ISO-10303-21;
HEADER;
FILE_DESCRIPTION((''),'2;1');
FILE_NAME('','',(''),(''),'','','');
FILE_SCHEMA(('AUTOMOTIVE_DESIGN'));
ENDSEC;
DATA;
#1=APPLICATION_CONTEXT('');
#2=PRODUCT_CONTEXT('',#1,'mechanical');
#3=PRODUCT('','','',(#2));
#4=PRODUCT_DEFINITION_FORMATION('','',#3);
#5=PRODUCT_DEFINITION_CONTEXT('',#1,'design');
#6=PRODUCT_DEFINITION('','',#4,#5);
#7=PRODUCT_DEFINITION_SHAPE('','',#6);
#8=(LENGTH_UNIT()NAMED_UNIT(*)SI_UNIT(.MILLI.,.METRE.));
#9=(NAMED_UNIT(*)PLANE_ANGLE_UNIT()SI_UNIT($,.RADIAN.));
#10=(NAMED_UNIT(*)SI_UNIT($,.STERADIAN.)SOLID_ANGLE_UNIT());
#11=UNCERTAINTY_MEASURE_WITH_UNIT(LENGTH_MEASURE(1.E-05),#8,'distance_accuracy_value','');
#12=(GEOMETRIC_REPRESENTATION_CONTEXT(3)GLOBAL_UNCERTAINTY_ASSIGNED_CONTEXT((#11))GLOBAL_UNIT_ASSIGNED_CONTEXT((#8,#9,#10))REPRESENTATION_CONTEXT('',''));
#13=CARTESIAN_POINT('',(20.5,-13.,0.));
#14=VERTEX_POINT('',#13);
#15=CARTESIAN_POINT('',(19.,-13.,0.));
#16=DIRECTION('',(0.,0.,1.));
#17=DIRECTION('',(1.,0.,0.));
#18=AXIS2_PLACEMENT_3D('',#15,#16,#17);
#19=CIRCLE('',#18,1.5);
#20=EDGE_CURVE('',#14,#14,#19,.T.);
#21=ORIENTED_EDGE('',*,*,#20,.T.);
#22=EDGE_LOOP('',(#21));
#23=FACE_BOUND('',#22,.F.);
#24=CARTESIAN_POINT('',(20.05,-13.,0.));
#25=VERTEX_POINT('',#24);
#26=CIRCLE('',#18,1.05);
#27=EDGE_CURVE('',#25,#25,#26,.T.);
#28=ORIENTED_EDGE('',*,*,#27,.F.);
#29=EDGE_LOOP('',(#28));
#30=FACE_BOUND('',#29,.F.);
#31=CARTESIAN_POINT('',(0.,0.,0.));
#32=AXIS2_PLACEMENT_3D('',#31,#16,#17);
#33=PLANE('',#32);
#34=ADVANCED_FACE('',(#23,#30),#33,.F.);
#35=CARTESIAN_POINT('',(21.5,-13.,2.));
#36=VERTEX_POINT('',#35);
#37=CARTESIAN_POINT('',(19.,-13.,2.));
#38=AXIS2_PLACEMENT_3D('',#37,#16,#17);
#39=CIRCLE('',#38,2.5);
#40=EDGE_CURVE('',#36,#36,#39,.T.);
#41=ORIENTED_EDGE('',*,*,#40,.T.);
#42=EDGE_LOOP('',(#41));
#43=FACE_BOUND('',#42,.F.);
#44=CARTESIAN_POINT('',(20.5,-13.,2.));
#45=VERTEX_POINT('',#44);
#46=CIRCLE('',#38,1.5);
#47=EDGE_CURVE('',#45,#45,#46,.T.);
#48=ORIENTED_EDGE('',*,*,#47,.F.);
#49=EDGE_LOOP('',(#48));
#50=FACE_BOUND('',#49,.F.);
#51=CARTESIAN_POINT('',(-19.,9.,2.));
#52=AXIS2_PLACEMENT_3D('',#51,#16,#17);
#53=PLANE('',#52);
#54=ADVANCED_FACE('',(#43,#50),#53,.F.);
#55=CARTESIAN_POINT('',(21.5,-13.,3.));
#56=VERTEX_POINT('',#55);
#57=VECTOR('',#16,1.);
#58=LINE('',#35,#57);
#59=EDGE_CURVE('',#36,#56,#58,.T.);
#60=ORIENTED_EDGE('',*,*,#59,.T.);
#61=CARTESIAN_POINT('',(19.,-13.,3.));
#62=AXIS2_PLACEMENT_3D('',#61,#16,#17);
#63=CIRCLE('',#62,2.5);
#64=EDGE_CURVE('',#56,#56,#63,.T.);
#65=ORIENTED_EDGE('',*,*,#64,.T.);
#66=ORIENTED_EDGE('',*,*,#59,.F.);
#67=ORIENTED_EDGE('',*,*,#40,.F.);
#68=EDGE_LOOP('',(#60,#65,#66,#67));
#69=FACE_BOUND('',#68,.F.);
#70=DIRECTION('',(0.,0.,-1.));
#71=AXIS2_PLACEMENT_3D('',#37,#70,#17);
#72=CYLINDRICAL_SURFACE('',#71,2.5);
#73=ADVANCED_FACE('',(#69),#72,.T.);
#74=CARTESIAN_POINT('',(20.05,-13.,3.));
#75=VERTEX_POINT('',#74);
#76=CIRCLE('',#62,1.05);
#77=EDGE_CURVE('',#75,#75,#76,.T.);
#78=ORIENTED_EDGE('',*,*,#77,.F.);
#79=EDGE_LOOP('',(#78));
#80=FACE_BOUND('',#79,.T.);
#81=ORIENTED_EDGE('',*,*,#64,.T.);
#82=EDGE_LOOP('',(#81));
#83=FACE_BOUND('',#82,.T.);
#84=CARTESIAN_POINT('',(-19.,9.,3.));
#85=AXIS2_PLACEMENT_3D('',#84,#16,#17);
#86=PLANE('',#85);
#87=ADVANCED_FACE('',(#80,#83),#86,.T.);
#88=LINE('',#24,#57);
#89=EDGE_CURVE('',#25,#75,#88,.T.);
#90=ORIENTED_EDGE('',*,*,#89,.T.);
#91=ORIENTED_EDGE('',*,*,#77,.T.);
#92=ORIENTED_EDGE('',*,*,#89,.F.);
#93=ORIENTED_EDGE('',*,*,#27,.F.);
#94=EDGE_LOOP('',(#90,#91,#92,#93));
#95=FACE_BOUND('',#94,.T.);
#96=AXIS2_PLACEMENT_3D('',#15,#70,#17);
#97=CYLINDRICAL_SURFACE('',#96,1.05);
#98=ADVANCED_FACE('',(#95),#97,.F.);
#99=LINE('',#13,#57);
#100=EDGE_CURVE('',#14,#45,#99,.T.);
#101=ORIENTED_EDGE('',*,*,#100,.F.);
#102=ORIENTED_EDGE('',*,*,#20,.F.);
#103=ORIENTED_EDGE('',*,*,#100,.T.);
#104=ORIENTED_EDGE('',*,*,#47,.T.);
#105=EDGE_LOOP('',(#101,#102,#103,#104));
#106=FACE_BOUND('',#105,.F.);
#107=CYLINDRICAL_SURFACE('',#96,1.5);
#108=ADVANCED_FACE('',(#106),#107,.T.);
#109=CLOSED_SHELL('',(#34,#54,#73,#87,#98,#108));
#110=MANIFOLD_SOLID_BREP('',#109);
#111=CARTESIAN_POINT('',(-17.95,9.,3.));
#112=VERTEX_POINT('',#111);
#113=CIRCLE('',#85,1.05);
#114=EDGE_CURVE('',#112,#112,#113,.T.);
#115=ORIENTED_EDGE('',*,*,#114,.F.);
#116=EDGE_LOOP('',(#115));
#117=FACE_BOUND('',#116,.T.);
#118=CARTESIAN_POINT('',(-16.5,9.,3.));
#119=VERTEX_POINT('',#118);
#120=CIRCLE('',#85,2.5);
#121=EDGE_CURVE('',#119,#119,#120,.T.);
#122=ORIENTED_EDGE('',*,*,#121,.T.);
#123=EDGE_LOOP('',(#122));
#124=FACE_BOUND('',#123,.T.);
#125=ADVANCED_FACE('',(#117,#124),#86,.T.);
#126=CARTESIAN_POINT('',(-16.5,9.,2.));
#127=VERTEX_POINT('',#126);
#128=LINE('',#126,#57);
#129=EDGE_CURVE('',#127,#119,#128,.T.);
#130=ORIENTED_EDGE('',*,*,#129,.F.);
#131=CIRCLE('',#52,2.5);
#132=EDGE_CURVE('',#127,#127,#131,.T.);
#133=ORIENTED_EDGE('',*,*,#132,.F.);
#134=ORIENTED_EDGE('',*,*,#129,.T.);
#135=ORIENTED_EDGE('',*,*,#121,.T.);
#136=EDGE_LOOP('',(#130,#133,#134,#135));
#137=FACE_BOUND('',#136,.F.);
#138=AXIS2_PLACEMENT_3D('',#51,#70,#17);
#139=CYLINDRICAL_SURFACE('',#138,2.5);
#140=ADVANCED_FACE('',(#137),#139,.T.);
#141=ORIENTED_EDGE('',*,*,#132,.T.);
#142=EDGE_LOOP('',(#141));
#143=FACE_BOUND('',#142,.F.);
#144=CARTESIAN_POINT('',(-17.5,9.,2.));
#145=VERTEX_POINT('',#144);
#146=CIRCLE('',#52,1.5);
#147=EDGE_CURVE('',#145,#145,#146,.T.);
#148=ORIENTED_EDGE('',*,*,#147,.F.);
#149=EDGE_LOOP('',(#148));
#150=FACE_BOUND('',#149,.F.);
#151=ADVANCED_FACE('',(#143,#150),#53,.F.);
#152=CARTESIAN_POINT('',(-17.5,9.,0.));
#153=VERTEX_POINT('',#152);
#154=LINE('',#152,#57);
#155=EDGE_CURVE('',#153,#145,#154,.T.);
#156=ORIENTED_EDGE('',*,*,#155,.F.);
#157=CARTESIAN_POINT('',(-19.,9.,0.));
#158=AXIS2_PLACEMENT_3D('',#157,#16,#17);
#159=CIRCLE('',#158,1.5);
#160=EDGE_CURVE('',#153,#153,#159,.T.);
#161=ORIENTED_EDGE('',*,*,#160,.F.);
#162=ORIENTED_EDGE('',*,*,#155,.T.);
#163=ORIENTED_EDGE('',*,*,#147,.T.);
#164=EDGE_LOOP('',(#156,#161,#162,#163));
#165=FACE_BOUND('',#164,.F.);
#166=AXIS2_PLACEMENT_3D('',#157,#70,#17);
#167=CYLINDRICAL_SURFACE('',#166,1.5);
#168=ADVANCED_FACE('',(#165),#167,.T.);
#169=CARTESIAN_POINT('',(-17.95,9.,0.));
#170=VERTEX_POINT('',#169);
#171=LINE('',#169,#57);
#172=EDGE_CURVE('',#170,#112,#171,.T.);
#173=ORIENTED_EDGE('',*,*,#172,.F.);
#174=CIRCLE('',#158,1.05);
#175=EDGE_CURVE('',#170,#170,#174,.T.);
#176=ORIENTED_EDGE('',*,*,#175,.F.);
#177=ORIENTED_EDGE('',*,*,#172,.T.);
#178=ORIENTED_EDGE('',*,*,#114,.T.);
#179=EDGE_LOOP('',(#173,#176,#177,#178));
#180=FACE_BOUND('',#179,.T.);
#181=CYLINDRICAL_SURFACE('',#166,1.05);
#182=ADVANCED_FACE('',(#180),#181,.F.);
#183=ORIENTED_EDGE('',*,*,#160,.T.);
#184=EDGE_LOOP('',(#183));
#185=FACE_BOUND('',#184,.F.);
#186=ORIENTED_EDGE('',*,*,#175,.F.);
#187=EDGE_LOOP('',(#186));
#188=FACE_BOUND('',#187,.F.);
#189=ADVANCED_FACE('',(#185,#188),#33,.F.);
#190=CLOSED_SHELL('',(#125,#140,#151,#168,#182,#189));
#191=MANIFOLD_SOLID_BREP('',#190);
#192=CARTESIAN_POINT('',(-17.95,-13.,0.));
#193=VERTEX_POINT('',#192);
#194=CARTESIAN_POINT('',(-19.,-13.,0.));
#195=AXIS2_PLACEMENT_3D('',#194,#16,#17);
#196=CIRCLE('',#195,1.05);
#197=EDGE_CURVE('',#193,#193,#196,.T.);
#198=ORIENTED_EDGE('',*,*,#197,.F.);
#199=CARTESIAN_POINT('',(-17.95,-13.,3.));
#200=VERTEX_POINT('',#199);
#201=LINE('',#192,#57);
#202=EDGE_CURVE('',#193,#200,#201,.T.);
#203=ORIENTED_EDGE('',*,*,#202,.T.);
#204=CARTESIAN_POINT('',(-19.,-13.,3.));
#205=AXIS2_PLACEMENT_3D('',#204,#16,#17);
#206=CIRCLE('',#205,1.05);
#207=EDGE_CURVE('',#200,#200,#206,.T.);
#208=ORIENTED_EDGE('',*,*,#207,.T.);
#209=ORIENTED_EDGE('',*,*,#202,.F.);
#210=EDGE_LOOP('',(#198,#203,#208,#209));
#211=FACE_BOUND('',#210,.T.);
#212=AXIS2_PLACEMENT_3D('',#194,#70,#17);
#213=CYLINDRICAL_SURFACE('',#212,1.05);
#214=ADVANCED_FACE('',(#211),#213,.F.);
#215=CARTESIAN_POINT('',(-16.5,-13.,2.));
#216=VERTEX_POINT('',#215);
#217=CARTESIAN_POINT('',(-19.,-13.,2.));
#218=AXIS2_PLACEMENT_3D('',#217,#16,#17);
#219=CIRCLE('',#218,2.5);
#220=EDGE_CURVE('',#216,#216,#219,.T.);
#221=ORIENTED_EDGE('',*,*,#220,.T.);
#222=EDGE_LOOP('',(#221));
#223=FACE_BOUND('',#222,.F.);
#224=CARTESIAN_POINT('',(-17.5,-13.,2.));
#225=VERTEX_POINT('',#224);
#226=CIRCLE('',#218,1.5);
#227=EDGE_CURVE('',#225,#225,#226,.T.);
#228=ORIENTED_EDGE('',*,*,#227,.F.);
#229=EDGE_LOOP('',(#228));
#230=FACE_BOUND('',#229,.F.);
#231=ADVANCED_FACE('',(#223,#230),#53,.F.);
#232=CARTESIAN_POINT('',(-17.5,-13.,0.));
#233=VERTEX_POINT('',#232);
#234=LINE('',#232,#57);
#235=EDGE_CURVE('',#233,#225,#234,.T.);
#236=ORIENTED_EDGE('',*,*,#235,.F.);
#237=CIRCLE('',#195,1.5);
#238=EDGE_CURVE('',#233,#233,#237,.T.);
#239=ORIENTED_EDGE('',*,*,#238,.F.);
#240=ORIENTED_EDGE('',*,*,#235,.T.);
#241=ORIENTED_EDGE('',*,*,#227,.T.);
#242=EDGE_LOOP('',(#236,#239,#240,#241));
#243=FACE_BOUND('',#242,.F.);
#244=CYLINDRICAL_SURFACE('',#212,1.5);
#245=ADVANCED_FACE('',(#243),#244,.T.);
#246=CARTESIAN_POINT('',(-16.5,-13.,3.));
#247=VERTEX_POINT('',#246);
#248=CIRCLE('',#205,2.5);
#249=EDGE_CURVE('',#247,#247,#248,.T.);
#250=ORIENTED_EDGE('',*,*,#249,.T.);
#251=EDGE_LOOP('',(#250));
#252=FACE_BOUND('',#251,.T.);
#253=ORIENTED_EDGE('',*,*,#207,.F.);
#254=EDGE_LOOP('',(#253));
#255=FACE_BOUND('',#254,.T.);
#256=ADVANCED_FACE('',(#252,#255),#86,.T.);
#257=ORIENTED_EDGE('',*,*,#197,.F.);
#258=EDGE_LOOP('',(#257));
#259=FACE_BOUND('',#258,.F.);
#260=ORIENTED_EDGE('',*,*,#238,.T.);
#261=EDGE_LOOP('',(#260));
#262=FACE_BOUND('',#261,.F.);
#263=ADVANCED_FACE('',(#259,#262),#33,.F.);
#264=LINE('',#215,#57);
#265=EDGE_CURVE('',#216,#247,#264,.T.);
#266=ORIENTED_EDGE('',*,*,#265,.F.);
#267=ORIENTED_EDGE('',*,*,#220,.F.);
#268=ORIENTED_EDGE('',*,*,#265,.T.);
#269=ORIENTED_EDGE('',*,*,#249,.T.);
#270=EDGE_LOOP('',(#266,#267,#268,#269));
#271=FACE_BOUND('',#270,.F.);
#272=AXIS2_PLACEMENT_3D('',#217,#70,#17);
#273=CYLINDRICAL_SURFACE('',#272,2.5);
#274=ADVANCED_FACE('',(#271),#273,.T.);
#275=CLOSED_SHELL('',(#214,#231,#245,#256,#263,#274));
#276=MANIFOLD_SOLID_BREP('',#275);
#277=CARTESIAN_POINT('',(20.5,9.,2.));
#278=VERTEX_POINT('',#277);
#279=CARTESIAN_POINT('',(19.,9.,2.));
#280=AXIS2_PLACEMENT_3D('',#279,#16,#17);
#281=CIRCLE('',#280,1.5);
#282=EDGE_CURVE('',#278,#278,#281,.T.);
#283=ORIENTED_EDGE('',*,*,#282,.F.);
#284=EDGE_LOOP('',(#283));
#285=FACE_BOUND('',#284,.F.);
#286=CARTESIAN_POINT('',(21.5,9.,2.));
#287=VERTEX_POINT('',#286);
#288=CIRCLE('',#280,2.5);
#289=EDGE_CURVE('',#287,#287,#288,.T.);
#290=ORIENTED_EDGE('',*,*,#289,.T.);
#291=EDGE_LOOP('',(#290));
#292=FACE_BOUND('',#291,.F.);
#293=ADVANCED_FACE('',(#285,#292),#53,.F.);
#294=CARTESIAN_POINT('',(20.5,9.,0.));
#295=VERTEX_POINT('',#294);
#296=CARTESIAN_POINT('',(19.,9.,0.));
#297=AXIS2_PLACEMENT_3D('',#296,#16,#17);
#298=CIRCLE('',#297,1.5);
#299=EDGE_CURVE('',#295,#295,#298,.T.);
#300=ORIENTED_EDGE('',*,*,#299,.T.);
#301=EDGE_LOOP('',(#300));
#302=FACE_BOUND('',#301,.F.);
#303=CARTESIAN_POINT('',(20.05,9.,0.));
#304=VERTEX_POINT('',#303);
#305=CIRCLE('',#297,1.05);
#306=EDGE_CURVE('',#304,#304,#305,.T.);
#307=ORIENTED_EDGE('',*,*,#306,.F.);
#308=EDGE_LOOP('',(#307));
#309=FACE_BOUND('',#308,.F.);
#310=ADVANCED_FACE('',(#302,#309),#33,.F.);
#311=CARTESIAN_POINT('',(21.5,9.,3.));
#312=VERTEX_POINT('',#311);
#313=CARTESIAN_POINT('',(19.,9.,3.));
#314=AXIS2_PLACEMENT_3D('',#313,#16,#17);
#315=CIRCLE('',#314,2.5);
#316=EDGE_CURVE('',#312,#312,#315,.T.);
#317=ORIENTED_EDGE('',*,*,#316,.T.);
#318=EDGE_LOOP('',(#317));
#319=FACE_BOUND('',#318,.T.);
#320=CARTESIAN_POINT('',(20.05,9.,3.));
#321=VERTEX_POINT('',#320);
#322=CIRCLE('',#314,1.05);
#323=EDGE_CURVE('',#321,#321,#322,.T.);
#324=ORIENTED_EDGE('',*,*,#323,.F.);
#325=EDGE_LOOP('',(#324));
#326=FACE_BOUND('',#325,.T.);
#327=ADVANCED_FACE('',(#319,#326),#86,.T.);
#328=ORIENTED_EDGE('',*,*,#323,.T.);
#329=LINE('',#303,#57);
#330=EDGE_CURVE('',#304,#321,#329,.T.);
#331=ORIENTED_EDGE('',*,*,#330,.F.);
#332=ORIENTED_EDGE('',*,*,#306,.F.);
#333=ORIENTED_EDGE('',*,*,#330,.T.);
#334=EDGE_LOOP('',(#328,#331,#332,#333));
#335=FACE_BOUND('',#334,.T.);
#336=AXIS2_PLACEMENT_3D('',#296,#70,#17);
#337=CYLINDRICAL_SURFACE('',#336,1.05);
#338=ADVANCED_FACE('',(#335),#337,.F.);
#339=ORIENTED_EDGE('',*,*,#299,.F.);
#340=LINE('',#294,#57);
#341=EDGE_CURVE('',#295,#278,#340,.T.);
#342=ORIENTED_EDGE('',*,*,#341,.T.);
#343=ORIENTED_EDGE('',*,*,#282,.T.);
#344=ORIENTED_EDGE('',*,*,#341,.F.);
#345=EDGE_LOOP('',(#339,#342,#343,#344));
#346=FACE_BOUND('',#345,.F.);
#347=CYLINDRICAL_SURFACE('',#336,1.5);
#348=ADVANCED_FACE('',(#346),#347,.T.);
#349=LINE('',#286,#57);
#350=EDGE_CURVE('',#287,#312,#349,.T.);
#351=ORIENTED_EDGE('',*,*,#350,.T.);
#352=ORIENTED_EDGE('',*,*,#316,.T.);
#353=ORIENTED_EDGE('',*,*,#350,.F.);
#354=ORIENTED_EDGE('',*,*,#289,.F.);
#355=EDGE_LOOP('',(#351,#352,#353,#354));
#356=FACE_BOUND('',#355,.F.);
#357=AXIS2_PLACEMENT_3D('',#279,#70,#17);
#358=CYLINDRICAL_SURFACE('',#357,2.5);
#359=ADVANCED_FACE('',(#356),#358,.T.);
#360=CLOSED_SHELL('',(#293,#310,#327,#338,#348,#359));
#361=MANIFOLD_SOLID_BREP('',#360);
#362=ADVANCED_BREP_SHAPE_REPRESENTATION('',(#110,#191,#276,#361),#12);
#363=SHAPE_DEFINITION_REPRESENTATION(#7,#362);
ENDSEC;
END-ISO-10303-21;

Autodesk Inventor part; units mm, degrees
ref_plane "YZ Plane" through (0, 0, 0) normal (1, 0, 0) x (0, 1, 0)
ref_plane "XZ Plane" through (0, 0, 0) normal (0, 1, 0) x (-1, 0, 0)
ref_plane "XY Plane" through (0, 0, 0) normal (0, 0, 1) x (1, 0, 0)
sketch "スケッチ1" plane through (0, 0, 0) normal (0, 0, 1) x (1, 0, 0)
  circle A0 centre (-19, 9) radius 1.05
  circle A1 centre (19, 9) radius 1.05
  circle A2 centre (-19, -13) radius 1.05
  circle A3 centre (19, -13) radius 1.05
  circle A4 centre (-19, 9) radius 1.5
  circle A5 centre (-19, -13) radius 1.5
  circle A6 centre (19, -13) radius 1.5
  circle A7 centre (19, 9) radius 1.5
  circle A8 centre (-19, 9) radius 0.8 construction
  circle A9 centre (-19, -13) radius 0.8 construction
  line L0 (0, 0) -> (0, 11.6821) construction
  dimension "d0" = 2.1
  dimension "d3" = 3
extrude "押し出し1" add sketch "スケッチ1" along normal blind 2
sketch "スケッチ2" plane through (-19, 9, 2) normal (0, 0, 1) x (1, 0, 0)
  circle A0 centre (0, 0) radius 1.05 projected
  circle A1 centre (0, -22) radius 1.05 projected
  circle A2 centre (38, -22) radius 1.05 projected
  circle A3 centre (38, 0) radius 1.05 projected
  circle A4 centre (0, 0) radius 1.05 projected
  circle A5 centre (0, 0) radius 2.5
  circle A6 centre (0, -22) radius 2.5
  circle A7 centre (38, -22) radius 2.5
  circle A8 centre (38, 0) radius 2.5
  point P0 (19, -9)
  dimension "d4" = 5
extrude "押し出し2" add sketch "スケッチ2" along normal blind 1
properties part number "16_038_BATTERY_LIB_HOOK_R1"
